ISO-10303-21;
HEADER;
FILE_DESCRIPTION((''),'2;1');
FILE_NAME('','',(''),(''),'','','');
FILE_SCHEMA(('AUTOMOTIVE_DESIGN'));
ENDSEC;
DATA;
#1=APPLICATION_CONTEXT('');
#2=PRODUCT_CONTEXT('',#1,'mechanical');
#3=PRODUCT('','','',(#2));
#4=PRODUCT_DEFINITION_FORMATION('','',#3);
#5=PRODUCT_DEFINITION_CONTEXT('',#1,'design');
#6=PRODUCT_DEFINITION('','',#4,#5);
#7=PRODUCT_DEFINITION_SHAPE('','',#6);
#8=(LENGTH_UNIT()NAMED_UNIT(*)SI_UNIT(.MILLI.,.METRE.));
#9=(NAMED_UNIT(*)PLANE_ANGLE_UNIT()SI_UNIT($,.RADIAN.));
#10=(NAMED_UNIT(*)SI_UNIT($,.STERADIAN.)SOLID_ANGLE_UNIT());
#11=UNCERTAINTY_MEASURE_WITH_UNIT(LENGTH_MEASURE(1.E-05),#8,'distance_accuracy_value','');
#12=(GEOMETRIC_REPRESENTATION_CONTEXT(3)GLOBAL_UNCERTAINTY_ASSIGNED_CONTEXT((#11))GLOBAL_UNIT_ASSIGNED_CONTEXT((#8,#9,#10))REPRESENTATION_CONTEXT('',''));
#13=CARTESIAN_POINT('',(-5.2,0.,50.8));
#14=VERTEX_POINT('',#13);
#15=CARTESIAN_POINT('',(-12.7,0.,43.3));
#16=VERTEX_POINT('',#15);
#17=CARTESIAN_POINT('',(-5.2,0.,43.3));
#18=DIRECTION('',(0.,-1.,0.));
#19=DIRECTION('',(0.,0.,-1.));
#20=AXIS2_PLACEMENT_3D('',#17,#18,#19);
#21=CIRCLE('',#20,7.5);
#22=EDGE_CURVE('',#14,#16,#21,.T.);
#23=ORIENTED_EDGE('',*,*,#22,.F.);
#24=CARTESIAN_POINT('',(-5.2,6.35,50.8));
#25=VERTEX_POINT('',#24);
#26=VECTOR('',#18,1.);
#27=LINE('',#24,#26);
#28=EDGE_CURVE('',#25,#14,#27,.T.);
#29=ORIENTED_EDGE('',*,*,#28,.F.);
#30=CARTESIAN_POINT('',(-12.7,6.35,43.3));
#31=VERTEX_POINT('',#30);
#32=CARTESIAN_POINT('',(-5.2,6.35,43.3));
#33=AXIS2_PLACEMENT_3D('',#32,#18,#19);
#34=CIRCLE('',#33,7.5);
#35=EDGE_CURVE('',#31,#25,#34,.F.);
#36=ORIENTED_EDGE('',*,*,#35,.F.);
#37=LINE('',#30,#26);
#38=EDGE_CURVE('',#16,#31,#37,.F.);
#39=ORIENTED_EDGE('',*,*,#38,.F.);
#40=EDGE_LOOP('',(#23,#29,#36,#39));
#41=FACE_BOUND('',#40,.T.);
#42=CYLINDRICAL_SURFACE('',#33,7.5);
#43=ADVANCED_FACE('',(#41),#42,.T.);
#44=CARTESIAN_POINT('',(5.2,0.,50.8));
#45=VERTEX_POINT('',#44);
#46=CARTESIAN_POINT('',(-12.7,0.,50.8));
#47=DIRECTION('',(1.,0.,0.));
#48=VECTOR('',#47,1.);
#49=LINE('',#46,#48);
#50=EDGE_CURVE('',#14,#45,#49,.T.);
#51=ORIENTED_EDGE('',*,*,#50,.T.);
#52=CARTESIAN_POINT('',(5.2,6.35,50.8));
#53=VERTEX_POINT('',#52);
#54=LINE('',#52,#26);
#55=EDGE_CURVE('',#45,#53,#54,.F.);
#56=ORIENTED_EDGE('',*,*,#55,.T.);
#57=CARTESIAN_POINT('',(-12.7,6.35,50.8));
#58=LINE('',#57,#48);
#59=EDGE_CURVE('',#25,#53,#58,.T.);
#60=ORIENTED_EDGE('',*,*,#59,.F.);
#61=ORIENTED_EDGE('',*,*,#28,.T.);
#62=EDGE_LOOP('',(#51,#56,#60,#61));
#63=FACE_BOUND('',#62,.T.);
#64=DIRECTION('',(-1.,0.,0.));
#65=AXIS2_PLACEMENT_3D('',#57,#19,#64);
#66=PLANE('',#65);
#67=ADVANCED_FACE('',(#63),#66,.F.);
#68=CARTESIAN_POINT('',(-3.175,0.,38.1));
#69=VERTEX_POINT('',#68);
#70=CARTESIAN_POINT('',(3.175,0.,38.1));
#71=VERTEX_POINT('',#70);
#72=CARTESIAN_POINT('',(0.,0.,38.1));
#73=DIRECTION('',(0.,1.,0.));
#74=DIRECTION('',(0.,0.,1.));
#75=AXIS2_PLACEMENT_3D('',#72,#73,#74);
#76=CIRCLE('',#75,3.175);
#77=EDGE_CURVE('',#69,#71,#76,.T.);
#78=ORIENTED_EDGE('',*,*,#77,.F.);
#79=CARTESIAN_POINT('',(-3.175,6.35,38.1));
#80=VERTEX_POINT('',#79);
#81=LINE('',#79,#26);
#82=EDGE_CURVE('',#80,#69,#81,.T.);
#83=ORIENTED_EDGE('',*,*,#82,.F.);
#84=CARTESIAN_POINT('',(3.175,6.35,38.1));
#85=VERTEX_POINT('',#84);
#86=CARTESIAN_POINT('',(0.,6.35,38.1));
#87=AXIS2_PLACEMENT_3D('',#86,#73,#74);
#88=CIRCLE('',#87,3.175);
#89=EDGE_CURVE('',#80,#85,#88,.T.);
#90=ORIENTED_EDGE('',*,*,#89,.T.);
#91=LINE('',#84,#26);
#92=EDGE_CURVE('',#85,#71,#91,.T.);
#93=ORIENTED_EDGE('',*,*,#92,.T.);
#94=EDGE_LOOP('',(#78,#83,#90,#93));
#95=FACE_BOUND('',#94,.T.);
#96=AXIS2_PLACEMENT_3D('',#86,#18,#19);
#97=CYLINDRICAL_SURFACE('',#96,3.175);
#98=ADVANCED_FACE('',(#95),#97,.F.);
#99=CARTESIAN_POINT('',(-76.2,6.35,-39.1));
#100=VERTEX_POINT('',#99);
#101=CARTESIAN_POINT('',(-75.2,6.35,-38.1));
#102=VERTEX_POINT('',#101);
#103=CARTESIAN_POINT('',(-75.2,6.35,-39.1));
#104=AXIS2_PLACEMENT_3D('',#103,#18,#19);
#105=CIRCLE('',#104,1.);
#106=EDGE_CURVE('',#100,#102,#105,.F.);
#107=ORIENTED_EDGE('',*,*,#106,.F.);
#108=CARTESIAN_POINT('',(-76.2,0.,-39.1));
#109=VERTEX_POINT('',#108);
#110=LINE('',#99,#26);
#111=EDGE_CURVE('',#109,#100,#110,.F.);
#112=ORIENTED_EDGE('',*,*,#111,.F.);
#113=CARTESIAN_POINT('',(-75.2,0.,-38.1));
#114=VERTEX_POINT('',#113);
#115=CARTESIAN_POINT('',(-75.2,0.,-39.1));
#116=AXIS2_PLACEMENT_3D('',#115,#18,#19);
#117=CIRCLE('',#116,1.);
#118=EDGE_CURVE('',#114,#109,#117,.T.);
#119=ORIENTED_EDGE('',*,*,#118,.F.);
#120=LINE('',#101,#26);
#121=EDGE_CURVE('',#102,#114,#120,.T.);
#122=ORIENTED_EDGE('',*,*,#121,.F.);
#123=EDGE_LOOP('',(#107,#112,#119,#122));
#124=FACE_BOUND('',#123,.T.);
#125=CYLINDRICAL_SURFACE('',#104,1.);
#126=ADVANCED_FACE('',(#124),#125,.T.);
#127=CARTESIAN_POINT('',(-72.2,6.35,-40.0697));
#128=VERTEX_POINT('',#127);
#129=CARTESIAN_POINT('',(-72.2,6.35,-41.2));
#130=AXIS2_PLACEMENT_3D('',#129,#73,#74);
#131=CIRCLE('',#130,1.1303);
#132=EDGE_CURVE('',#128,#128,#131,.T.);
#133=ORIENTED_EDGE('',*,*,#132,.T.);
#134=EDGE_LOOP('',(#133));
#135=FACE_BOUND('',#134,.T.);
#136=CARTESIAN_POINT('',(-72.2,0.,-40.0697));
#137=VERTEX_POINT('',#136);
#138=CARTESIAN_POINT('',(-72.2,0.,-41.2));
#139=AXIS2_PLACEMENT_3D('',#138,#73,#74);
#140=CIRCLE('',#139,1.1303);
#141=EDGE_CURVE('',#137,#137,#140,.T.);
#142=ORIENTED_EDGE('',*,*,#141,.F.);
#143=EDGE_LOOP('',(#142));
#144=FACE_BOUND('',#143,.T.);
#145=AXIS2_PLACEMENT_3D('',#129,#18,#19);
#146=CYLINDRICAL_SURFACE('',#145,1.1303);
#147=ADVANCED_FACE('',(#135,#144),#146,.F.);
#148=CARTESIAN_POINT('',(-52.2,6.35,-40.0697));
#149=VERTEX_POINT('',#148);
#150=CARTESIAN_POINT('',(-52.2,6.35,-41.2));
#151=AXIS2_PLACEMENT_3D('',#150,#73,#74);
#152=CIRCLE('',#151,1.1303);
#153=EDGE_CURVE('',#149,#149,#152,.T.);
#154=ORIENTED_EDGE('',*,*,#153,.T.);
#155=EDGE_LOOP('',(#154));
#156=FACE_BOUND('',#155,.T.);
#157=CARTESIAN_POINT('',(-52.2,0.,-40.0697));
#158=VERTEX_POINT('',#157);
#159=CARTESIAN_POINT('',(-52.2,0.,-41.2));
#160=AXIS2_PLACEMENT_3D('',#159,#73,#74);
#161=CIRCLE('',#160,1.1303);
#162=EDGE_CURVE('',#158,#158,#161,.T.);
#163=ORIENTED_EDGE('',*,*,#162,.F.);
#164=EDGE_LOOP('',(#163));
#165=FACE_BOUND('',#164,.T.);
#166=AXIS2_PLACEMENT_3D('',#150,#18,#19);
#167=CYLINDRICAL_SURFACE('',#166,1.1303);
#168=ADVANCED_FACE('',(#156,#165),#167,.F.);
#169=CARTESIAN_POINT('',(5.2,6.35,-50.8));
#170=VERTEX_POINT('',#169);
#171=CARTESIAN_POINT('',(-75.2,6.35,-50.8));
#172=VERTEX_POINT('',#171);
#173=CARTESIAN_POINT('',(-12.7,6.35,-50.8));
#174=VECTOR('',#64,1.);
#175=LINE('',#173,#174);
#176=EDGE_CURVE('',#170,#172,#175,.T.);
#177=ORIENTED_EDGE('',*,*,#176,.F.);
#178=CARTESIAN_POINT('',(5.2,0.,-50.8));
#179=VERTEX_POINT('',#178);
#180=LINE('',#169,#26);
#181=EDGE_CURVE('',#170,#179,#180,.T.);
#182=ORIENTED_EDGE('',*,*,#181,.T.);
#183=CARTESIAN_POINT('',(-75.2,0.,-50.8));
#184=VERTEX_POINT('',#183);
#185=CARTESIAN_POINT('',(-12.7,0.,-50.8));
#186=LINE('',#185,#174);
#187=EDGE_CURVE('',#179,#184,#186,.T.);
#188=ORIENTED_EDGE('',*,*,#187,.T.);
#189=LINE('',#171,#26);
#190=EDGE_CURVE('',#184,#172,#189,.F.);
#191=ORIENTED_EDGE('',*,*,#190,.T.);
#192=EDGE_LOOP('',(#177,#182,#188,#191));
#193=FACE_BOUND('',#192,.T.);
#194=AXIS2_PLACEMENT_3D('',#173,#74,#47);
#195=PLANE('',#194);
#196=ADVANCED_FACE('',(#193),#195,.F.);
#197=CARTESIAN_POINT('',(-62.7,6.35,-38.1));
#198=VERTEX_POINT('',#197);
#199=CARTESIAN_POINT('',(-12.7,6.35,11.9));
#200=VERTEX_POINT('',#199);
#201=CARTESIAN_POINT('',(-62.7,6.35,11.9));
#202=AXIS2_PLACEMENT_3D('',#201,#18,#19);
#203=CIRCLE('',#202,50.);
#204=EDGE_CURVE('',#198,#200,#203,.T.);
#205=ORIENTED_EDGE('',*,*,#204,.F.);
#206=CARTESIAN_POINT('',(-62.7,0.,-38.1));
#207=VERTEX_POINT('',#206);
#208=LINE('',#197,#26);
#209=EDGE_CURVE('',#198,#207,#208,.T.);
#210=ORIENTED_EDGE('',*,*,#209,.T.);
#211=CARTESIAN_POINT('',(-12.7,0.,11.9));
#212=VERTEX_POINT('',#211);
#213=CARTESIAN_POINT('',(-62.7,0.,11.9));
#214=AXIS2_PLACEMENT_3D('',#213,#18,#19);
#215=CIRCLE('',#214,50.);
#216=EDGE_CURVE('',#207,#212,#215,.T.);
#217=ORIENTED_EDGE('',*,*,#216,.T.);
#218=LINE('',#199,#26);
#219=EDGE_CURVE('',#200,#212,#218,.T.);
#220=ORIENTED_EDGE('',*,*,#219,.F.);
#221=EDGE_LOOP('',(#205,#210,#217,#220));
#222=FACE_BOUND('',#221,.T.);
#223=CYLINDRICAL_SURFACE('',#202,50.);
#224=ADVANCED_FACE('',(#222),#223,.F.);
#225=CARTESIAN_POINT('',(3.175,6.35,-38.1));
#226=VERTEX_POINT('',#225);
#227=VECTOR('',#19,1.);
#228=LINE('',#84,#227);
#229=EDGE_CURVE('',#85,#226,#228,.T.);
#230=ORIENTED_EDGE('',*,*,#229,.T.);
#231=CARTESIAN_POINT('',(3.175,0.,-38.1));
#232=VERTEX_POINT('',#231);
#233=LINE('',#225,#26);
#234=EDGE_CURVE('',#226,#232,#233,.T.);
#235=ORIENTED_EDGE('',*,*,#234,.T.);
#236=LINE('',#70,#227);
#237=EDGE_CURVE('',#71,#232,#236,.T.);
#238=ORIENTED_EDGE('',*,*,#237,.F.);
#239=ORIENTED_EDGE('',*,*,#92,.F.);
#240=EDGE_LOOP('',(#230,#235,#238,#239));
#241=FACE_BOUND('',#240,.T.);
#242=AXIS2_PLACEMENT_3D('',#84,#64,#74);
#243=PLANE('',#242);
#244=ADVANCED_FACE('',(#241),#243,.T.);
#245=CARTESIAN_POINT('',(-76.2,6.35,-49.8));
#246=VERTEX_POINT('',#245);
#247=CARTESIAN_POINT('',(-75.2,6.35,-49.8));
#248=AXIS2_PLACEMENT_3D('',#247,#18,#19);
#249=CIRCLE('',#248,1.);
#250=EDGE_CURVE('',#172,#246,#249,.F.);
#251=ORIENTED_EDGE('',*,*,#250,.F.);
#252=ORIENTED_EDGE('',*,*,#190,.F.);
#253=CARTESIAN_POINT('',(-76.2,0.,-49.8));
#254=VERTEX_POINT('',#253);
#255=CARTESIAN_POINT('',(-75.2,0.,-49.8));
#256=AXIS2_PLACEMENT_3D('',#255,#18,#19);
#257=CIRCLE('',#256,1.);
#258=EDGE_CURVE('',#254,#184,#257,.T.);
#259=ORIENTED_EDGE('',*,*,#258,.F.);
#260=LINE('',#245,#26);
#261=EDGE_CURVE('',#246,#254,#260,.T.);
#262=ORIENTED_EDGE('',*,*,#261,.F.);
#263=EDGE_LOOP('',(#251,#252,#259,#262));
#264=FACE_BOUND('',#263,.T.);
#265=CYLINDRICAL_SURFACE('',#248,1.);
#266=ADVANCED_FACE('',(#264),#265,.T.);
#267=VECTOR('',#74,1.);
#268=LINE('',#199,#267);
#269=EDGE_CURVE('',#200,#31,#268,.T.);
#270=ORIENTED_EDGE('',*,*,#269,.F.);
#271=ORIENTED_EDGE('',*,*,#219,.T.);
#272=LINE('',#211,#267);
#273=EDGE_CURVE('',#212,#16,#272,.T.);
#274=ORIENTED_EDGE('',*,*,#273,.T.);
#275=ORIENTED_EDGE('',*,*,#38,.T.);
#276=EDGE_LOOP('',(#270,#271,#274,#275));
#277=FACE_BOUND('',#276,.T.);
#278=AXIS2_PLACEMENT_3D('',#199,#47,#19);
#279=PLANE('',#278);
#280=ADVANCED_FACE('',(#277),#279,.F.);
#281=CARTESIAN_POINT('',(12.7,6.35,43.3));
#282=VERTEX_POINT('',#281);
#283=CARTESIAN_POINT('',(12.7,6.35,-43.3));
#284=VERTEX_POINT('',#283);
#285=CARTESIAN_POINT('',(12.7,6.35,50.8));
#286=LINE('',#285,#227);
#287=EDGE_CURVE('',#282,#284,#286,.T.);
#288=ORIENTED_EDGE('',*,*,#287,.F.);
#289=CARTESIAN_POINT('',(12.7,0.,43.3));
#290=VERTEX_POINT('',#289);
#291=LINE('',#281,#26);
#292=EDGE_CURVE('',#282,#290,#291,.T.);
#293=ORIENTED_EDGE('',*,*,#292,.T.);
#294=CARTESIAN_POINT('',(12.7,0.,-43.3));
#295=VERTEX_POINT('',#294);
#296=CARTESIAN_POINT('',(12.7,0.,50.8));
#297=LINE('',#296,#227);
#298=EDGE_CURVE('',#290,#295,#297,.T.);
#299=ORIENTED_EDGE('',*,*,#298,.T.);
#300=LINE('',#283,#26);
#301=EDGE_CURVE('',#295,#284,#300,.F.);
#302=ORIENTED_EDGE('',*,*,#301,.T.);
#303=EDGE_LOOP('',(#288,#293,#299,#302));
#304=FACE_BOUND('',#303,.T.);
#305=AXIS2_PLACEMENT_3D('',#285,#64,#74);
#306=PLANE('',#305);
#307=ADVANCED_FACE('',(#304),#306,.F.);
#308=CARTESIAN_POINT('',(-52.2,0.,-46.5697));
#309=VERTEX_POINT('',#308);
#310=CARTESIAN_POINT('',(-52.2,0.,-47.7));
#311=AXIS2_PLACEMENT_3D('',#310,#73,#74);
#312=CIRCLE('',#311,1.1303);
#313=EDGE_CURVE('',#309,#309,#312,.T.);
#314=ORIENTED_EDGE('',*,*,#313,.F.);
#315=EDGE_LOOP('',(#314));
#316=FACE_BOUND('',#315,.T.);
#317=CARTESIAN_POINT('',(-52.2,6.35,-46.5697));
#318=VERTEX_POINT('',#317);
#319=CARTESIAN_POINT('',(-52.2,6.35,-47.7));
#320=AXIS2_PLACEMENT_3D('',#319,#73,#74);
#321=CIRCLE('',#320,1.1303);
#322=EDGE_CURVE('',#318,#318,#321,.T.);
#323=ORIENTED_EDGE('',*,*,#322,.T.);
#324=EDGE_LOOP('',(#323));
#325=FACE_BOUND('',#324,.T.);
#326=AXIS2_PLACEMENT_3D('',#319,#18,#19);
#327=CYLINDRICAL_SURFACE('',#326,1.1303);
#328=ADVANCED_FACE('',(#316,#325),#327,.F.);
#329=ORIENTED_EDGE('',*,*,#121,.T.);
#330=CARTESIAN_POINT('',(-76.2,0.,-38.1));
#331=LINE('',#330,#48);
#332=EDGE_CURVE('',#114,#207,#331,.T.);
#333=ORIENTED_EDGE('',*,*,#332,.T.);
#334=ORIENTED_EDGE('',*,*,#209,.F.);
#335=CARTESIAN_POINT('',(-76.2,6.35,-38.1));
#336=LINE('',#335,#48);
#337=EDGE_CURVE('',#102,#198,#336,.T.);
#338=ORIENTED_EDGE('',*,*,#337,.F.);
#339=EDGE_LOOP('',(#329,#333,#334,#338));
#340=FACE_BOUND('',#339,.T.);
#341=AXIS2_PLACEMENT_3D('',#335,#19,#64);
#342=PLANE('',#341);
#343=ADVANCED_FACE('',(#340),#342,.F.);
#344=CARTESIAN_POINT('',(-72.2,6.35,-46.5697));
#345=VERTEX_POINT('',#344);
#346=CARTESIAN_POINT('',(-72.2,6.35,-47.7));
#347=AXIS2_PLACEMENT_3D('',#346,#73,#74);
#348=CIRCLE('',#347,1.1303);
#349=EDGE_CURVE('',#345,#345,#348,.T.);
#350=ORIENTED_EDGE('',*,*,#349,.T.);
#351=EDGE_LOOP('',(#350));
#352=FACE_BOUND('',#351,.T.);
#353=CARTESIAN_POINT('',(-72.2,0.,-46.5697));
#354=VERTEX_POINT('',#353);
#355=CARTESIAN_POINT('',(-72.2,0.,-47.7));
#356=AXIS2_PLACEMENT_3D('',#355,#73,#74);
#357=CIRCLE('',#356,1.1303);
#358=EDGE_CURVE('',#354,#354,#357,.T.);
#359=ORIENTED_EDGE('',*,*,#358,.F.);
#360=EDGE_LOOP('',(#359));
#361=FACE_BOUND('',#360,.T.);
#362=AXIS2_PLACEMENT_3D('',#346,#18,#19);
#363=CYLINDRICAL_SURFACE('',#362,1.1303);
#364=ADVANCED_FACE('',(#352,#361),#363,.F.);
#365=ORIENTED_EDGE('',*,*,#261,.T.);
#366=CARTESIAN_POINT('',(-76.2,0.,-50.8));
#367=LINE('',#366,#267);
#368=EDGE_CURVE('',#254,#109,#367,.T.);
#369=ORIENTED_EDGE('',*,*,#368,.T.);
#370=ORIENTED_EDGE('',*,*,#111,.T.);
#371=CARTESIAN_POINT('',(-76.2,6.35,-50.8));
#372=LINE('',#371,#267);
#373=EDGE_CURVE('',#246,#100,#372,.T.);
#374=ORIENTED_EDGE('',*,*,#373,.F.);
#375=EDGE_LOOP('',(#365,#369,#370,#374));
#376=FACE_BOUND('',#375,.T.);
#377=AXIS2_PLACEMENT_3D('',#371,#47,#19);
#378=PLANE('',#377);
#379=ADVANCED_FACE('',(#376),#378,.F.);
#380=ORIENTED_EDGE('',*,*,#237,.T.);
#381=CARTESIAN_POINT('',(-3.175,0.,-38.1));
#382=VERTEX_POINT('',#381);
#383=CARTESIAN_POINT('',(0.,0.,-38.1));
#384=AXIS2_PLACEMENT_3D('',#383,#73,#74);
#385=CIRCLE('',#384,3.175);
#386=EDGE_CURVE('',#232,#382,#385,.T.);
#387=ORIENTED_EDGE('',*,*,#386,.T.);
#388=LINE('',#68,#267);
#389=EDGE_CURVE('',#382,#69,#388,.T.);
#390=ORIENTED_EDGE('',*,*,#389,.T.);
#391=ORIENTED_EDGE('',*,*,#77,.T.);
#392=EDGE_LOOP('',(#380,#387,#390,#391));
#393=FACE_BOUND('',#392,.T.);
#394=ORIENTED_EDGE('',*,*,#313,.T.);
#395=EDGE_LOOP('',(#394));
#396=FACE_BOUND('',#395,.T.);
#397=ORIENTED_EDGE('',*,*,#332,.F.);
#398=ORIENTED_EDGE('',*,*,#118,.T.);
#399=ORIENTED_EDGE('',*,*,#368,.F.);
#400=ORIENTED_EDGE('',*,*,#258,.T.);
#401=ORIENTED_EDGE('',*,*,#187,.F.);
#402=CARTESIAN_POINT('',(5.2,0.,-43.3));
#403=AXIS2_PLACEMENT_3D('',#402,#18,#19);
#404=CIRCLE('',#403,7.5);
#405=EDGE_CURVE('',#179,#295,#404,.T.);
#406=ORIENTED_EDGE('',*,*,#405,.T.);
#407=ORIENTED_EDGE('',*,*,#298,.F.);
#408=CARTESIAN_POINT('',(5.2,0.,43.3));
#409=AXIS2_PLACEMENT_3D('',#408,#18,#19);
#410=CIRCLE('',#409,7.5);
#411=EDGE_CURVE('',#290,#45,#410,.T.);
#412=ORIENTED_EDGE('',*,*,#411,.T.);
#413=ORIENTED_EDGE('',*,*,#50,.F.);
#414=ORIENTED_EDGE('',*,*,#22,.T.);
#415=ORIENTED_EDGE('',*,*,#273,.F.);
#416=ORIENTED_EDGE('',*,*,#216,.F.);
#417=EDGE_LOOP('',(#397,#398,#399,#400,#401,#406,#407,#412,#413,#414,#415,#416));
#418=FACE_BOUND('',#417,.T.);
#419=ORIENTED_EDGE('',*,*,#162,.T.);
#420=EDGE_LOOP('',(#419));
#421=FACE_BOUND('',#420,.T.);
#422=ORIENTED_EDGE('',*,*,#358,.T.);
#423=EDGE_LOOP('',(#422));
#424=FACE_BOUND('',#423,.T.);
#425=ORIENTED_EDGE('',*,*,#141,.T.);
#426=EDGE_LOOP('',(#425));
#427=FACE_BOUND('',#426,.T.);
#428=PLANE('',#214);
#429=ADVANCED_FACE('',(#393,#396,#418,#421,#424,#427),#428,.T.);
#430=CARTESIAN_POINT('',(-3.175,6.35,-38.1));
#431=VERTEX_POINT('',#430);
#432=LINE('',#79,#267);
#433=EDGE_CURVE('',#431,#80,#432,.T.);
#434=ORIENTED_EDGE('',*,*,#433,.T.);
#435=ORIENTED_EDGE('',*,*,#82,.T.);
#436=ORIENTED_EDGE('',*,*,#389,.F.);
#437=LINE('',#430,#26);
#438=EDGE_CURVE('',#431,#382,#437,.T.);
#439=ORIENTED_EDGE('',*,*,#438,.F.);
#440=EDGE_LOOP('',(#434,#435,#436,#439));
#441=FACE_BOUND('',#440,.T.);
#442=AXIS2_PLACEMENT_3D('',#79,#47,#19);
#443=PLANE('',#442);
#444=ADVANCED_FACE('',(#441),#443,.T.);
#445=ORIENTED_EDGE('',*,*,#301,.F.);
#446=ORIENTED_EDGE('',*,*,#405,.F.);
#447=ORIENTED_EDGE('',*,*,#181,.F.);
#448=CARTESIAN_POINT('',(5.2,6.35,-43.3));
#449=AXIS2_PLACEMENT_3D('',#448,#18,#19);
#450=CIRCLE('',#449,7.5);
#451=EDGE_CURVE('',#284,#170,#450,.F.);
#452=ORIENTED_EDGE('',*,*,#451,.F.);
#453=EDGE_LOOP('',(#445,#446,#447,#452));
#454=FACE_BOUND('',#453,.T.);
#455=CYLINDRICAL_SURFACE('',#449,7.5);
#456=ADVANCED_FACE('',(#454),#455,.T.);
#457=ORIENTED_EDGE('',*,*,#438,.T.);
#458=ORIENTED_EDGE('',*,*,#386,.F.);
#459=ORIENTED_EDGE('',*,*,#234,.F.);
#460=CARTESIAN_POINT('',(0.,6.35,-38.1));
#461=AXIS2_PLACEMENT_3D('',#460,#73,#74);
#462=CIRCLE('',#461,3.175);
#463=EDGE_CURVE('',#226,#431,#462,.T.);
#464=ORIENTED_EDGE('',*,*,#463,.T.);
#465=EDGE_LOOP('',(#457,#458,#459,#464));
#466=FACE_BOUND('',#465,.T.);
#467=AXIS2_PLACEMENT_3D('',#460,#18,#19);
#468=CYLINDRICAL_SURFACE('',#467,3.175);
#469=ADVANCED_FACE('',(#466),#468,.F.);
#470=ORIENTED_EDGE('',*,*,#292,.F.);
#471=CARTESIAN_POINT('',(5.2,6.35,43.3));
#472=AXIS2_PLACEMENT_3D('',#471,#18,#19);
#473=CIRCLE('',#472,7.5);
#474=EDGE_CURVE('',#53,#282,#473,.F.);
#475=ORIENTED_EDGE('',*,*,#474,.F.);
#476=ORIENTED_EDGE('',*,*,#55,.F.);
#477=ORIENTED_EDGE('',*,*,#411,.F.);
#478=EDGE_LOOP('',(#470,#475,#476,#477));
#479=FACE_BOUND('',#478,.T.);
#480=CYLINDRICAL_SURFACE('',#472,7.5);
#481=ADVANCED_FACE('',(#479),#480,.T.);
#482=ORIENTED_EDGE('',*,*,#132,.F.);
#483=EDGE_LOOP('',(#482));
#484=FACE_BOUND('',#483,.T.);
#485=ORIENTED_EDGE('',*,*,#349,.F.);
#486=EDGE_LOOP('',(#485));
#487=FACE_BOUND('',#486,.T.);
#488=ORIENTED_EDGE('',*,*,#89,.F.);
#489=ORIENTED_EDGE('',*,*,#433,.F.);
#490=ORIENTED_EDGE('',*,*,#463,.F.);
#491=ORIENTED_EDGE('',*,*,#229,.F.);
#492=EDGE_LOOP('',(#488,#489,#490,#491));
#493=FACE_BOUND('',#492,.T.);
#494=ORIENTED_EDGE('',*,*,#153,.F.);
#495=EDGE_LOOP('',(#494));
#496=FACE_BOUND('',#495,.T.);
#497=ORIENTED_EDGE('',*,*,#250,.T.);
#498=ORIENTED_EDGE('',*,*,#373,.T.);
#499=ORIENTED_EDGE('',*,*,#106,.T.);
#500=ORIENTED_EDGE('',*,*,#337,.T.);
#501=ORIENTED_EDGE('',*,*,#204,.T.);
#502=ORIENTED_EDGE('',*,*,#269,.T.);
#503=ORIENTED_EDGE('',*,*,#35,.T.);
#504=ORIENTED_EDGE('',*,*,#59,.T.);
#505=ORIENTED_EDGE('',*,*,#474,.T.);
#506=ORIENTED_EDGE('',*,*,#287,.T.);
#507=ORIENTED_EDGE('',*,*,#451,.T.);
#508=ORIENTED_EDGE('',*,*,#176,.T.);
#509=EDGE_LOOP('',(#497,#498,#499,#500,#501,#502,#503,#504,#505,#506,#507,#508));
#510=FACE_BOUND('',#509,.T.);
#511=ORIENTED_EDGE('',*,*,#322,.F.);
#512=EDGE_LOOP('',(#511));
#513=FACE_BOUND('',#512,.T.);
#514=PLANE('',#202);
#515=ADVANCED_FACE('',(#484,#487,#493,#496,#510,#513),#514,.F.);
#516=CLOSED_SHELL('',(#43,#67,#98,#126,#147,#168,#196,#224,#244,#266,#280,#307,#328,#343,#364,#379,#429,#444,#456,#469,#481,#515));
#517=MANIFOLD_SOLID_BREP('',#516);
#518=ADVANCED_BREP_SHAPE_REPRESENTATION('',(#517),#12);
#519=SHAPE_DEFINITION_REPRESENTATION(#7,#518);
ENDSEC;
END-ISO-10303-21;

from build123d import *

# Parameters (mm, degrees)
SKETCH1_R           = 1.1303
BOSS_EXTRUDE2_DEPTH = 6.35
FILLET1_R           = 1
FILLET2_R           = 7.5


with BuildPart() as part:
    # Sketch1 → Boss-Extrude2 (new body)
    with BuildSketch(Plane(origin=(0, 0, 0), x_dir=(1, 0, 0), z_dir=(0, 1, 0))):
        with BuildLine():
            Line((-12.7, 50.8), (-76.2, 50.8))
            Line((-76.2, 50.8), (-76.2, 38.1))
            Line((-76.2, 38.1), (-62.7, 38.1))
            ThreePointArc((-62.7, 38.1), (-27.344660941, 23.455339059), (-12.7, -11.9))
            Line((-12.7, -11.9), (-12.7, -50.8))
            Line((-12.7, -50.8), (12.7, -50.8))
            Line((12.7, -50.8), (12.7, 50.8))
            Line((12.7, 50.8), (-12.7, 50.8))
        make_face()
        with Locations(Location((-72.2, 47.7, 0), (0, 0, 270))):
            Circle(SKETCH1_R, mode=Mode.SUBTRACT)
        with Locations(Location((-72.2, 41.2, 0), (0, 0, 270))):
            Circle(SKETCH1_R, mode=Mode.SUBTRACT)
        with Locations(Location((-52.2, 47.7, 0), (0, 0, 270))):
            Circle(SKETCH1_R, mode=Mode.SUBTRACT)
        with Locations(Location((-52.2, 41.2, 0), (0, 0, 270))):
            Circle(SKETCH1_R, mode=Mode.SUBTRACT)
        with BuildLine():
            Line((-3.175, -38.1), (-3.175, 38.1))
            ThreePointArc((-3.175, 38.1), (0, 41.275), (3.175, 38.1))
            Line((3.175, 38.1), (3.175, -38.1))
            ThreePointArc((3.175, -38.1), (0, -41.275), (-3.175, -38.1))
        make_face(mode=Mode.SUBTRACT)
    extrude(amount=BOSS_EXTRUDE2_DEPTH)

    # Fillet1
    fillet1_edges = [part.edges().sort_by_distance(p)[0] for p in [
        (-76.2, 3.175, -38.1),
        (-76.2, 3.175, -50.8),
    ]]
    fillet(fillet1_edges, radius=FILLET1_R)

    # Fillet2
    fillet2_edges = [part.edges().sort_by_distance(p)[0] for p in [
        (12.7, 3.175, 50.8),
        (-12.7, 3.175, 50.8),
        (12.7, 3.175, -50.8),
    ]]
    fillet(fillet2_edges, radius=FILLET2_R)


solid = part.part
